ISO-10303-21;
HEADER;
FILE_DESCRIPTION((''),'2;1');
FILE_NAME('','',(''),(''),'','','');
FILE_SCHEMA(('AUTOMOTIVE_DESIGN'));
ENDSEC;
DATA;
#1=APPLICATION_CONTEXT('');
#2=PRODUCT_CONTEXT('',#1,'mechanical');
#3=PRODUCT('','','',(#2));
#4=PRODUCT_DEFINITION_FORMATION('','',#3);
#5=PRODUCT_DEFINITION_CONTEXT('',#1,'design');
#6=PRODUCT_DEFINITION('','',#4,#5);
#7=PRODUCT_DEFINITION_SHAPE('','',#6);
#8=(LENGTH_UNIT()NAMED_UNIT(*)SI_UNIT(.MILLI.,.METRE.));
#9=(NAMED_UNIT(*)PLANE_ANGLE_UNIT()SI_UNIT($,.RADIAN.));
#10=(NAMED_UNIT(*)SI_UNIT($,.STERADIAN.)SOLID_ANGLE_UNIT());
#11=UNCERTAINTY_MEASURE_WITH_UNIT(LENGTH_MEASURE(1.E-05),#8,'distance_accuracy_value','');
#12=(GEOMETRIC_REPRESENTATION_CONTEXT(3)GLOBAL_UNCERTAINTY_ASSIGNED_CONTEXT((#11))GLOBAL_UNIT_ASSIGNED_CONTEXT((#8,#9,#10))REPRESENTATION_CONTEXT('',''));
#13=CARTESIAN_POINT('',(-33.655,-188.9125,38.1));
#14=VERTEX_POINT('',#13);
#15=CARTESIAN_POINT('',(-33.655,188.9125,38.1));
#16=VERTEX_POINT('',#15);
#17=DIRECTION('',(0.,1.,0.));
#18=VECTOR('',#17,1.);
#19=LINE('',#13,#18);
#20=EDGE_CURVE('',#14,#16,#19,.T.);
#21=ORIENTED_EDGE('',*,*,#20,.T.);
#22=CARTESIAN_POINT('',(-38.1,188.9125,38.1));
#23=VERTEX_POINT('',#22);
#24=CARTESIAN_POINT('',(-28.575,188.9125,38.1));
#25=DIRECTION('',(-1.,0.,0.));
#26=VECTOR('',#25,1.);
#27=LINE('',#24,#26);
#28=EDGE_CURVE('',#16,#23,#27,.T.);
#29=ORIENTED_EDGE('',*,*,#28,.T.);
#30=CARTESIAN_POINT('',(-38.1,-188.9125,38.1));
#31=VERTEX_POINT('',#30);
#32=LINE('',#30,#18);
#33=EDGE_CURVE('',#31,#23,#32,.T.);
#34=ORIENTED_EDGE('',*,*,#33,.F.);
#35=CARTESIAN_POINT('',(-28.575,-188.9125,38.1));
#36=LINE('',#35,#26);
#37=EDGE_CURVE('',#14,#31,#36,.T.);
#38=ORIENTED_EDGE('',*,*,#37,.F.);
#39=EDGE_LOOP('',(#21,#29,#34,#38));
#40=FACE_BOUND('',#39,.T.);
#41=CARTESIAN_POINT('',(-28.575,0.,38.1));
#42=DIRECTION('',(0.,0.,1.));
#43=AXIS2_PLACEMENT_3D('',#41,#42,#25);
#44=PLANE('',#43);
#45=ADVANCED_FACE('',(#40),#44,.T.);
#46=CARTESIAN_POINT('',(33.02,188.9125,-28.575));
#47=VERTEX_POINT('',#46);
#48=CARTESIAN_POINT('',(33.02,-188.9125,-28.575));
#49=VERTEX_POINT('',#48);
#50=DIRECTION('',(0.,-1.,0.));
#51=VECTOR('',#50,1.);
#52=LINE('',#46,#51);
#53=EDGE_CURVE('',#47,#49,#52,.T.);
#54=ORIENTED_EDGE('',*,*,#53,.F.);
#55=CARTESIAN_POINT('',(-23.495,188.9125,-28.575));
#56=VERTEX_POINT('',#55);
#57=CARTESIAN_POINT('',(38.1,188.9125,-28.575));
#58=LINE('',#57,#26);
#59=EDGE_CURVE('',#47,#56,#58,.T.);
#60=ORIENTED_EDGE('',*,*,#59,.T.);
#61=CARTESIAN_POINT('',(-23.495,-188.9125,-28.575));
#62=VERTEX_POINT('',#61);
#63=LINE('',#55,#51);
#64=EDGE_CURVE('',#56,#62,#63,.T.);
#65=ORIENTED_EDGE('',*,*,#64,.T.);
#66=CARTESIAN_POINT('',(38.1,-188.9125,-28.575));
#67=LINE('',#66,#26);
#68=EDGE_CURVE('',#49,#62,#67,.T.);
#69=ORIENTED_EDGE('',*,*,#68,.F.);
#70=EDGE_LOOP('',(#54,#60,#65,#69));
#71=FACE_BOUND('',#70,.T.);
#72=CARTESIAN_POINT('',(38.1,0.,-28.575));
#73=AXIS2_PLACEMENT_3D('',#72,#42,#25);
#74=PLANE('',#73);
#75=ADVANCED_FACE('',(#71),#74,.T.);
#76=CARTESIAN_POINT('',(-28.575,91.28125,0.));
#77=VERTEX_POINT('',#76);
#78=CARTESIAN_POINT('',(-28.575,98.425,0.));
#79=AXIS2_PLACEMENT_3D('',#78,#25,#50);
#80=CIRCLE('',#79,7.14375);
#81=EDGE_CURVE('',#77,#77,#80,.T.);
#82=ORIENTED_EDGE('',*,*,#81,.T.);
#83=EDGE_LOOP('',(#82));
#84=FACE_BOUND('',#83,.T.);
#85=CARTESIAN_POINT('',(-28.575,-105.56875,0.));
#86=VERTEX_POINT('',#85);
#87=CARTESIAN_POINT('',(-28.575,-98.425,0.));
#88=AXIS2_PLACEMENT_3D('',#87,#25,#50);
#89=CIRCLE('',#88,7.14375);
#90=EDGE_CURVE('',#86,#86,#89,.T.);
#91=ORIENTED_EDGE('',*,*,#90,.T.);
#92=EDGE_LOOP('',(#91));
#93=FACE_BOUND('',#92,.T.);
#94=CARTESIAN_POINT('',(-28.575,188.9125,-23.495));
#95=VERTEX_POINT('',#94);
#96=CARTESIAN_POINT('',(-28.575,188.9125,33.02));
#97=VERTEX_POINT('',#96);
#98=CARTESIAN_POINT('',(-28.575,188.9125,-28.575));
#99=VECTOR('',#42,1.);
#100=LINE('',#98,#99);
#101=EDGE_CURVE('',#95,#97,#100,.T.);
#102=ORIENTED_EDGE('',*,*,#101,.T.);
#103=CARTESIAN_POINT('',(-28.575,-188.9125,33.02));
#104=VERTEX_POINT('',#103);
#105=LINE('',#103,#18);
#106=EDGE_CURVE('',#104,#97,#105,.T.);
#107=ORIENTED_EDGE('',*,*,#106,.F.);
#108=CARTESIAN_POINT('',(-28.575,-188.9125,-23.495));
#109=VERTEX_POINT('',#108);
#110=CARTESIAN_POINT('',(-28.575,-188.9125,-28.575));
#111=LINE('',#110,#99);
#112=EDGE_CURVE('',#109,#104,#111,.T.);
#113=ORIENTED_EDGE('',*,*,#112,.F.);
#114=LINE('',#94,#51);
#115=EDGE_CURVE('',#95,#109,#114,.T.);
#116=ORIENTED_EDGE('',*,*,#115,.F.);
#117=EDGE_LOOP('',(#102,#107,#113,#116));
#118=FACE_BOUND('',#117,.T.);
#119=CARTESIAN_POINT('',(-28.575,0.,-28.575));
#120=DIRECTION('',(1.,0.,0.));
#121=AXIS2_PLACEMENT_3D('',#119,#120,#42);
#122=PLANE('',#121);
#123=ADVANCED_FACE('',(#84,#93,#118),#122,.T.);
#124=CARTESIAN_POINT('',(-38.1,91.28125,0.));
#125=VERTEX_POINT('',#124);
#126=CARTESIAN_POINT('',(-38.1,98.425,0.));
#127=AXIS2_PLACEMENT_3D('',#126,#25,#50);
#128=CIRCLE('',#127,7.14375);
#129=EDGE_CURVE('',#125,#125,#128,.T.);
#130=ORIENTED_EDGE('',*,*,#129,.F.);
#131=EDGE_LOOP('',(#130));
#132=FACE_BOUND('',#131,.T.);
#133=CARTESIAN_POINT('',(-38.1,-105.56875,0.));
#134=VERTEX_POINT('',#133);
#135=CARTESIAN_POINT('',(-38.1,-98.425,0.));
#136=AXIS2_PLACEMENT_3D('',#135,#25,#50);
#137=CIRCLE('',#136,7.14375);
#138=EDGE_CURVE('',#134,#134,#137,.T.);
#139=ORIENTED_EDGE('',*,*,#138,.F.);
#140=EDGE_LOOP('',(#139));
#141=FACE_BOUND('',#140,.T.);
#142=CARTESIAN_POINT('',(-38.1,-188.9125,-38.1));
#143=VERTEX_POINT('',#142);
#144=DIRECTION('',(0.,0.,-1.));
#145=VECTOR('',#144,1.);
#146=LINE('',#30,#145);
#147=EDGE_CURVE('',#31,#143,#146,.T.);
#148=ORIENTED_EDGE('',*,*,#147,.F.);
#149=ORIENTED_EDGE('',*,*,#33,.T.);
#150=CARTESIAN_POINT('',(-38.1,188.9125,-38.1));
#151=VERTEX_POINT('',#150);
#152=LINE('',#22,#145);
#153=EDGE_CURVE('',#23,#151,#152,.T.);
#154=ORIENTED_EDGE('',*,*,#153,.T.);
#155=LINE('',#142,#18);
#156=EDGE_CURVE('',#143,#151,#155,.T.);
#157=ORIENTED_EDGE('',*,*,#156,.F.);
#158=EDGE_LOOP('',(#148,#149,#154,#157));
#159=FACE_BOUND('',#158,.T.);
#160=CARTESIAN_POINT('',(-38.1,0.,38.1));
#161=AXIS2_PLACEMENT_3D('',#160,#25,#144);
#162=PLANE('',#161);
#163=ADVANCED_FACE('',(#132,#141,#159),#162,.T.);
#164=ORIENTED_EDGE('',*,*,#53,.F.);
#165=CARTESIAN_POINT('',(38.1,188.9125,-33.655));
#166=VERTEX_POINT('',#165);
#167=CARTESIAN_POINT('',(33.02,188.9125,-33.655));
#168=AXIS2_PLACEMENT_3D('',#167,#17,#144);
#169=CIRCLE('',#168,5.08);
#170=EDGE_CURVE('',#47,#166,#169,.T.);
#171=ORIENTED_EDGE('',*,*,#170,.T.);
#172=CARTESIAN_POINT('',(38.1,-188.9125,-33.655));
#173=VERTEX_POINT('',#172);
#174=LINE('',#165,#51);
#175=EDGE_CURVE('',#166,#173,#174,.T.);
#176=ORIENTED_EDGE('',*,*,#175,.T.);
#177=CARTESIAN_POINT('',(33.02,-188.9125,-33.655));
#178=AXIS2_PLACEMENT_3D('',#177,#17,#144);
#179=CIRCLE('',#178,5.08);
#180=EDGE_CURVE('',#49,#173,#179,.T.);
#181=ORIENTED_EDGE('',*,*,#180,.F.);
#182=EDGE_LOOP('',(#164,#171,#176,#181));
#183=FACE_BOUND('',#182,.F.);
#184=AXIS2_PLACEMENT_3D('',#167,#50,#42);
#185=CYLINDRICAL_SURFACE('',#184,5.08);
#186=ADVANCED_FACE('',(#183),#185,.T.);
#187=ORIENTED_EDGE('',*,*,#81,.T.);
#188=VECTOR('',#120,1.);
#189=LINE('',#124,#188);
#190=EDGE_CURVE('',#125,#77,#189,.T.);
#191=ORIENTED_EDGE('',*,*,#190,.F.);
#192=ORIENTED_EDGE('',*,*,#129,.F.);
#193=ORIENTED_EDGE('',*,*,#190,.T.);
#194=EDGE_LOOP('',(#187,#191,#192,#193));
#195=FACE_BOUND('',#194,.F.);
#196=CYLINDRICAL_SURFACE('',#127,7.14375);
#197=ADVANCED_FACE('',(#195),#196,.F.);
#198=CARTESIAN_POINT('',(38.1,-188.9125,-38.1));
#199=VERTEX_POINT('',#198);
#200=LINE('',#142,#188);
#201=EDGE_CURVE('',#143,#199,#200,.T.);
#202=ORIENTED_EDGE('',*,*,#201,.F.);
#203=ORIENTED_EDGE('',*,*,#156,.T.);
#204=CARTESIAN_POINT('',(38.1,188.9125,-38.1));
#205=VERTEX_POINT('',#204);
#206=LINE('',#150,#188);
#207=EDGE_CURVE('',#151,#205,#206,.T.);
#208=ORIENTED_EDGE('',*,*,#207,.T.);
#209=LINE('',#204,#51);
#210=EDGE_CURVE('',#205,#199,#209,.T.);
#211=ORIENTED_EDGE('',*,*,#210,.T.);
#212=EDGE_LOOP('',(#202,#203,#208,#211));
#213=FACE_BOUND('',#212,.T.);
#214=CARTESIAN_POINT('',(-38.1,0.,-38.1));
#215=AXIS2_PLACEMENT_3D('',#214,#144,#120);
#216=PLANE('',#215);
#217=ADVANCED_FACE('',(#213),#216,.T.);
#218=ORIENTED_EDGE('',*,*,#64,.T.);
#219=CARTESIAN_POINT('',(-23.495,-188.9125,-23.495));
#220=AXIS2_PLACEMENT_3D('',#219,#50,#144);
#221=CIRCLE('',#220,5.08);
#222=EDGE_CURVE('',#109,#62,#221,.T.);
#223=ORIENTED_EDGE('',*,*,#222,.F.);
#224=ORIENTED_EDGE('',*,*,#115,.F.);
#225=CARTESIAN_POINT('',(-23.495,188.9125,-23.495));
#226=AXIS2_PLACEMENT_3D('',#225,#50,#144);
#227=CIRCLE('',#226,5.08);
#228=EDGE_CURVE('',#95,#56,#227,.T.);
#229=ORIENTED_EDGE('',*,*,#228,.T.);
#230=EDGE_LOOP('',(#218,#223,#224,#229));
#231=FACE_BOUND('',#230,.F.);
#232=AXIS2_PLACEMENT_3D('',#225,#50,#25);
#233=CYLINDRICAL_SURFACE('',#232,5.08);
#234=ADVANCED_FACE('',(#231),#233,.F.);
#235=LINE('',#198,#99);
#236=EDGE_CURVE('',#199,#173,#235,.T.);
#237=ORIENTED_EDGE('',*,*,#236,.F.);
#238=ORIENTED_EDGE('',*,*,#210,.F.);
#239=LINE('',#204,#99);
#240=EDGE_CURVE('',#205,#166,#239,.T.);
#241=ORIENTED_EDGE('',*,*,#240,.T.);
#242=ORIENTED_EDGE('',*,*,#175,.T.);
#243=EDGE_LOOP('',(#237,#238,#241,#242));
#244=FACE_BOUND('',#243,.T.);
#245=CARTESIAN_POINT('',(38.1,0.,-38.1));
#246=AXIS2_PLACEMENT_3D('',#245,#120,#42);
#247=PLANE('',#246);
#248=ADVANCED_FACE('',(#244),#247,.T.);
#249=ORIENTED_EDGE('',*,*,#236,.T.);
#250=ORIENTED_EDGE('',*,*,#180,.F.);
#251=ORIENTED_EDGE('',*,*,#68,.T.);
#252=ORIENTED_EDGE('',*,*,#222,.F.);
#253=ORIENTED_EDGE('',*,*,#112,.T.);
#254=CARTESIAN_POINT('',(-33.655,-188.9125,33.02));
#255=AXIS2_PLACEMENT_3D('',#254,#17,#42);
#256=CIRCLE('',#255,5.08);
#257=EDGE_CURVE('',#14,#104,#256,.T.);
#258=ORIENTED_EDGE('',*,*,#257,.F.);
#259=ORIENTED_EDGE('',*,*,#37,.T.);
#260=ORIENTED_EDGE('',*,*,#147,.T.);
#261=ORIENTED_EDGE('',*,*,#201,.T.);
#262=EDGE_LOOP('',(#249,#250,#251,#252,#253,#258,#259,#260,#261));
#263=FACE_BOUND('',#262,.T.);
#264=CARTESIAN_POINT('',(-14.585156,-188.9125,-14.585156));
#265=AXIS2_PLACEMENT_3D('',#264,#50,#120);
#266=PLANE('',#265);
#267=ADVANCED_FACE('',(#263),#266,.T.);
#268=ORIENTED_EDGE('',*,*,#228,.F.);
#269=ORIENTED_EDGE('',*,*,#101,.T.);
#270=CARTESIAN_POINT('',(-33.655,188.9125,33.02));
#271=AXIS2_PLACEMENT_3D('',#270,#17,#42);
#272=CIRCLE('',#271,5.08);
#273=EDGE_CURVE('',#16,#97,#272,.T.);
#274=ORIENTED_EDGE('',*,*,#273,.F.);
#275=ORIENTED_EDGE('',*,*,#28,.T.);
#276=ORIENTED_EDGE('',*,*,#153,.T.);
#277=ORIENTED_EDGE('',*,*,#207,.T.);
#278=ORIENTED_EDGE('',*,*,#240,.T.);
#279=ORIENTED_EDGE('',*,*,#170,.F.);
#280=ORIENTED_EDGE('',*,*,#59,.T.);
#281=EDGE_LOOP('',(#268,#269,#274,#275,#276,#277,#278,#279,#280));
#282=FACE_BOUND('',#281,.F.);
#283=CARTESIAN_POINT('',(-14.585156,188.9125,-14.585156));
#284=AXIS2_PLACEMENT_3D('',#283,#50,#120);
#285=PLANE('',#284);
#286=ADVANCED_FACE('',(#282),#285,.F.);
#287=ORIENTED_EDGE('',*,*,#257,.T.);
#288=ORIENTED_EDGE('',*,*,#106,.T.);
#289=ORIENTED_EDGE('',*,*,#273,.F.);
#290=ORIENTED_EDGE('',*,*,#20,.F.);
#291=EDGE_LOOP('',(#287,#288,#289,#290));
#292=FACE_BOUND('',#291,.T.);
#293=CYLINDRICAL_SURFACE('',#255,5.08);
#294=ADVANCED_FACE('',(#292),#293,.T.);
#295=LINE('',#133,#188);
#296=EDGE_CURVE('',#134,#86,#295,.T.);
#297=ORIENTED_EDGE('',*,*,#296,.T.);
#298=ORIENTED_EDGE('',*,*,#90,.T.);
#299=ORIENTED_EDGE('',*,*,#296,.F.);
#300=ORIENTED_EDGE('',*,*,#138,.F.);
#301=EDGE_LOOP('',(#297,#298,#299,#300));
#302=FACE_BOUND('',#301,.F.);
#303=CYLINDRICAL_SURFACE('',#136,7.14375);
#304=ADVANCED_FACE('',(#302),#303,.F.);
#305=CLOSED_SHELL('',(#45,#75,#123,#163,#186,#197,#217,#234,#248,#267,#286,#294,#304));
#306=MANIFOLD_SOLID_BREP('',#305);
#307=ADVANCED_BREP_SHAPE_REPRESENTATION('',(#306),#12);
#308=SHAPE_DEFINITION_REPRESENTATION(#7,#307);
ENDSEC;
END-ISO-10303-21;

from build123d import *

# Parameters (mm, degrees)
F1_DEPTH = 188.9125
F2_R     = 5.08
F3_R     = 7.14375
F4_DEPTH = 25.4


with BuildPart() as f1:
    # F0 (on Front) → F1 (new body, symmetric)
    with BuildSketch(Plane.XZ):
        Polygon((-38.1, -38.1), (38.1, -38.1), (38.1, -28.575), (-28.575, -28.575), (-28.575, 38.1), (-38.1, 38.1), align=None)
    extrude(amount=F1_DEPTH, both=True)

    # F2
    f2_edges = [f1.edges().sort_by_distance(p)[0] for p in [
        (-28.575, 0, 38.1),
        (-28.575, 0, -28.575),
        (38.1, 0, -28.575),
    ]]
    fillet(f2_edges, radius=F2_R)

    # F3 (on face) → F4 (cut)
    with BuildSketch(Plane(origin=(-38.1, 0, 0), x_dir=(0, -1, 0), z_dir=(-1, 0, 0))):
        with Locations((-98.425, 0)):
            Circle(F3_R)
        with Locations((98.425, 0)):
            Circle(F3_R)
    extrude(amount=-F4_DEPTH, mode=Mode.SUBTRACT)


solid = f1.part
